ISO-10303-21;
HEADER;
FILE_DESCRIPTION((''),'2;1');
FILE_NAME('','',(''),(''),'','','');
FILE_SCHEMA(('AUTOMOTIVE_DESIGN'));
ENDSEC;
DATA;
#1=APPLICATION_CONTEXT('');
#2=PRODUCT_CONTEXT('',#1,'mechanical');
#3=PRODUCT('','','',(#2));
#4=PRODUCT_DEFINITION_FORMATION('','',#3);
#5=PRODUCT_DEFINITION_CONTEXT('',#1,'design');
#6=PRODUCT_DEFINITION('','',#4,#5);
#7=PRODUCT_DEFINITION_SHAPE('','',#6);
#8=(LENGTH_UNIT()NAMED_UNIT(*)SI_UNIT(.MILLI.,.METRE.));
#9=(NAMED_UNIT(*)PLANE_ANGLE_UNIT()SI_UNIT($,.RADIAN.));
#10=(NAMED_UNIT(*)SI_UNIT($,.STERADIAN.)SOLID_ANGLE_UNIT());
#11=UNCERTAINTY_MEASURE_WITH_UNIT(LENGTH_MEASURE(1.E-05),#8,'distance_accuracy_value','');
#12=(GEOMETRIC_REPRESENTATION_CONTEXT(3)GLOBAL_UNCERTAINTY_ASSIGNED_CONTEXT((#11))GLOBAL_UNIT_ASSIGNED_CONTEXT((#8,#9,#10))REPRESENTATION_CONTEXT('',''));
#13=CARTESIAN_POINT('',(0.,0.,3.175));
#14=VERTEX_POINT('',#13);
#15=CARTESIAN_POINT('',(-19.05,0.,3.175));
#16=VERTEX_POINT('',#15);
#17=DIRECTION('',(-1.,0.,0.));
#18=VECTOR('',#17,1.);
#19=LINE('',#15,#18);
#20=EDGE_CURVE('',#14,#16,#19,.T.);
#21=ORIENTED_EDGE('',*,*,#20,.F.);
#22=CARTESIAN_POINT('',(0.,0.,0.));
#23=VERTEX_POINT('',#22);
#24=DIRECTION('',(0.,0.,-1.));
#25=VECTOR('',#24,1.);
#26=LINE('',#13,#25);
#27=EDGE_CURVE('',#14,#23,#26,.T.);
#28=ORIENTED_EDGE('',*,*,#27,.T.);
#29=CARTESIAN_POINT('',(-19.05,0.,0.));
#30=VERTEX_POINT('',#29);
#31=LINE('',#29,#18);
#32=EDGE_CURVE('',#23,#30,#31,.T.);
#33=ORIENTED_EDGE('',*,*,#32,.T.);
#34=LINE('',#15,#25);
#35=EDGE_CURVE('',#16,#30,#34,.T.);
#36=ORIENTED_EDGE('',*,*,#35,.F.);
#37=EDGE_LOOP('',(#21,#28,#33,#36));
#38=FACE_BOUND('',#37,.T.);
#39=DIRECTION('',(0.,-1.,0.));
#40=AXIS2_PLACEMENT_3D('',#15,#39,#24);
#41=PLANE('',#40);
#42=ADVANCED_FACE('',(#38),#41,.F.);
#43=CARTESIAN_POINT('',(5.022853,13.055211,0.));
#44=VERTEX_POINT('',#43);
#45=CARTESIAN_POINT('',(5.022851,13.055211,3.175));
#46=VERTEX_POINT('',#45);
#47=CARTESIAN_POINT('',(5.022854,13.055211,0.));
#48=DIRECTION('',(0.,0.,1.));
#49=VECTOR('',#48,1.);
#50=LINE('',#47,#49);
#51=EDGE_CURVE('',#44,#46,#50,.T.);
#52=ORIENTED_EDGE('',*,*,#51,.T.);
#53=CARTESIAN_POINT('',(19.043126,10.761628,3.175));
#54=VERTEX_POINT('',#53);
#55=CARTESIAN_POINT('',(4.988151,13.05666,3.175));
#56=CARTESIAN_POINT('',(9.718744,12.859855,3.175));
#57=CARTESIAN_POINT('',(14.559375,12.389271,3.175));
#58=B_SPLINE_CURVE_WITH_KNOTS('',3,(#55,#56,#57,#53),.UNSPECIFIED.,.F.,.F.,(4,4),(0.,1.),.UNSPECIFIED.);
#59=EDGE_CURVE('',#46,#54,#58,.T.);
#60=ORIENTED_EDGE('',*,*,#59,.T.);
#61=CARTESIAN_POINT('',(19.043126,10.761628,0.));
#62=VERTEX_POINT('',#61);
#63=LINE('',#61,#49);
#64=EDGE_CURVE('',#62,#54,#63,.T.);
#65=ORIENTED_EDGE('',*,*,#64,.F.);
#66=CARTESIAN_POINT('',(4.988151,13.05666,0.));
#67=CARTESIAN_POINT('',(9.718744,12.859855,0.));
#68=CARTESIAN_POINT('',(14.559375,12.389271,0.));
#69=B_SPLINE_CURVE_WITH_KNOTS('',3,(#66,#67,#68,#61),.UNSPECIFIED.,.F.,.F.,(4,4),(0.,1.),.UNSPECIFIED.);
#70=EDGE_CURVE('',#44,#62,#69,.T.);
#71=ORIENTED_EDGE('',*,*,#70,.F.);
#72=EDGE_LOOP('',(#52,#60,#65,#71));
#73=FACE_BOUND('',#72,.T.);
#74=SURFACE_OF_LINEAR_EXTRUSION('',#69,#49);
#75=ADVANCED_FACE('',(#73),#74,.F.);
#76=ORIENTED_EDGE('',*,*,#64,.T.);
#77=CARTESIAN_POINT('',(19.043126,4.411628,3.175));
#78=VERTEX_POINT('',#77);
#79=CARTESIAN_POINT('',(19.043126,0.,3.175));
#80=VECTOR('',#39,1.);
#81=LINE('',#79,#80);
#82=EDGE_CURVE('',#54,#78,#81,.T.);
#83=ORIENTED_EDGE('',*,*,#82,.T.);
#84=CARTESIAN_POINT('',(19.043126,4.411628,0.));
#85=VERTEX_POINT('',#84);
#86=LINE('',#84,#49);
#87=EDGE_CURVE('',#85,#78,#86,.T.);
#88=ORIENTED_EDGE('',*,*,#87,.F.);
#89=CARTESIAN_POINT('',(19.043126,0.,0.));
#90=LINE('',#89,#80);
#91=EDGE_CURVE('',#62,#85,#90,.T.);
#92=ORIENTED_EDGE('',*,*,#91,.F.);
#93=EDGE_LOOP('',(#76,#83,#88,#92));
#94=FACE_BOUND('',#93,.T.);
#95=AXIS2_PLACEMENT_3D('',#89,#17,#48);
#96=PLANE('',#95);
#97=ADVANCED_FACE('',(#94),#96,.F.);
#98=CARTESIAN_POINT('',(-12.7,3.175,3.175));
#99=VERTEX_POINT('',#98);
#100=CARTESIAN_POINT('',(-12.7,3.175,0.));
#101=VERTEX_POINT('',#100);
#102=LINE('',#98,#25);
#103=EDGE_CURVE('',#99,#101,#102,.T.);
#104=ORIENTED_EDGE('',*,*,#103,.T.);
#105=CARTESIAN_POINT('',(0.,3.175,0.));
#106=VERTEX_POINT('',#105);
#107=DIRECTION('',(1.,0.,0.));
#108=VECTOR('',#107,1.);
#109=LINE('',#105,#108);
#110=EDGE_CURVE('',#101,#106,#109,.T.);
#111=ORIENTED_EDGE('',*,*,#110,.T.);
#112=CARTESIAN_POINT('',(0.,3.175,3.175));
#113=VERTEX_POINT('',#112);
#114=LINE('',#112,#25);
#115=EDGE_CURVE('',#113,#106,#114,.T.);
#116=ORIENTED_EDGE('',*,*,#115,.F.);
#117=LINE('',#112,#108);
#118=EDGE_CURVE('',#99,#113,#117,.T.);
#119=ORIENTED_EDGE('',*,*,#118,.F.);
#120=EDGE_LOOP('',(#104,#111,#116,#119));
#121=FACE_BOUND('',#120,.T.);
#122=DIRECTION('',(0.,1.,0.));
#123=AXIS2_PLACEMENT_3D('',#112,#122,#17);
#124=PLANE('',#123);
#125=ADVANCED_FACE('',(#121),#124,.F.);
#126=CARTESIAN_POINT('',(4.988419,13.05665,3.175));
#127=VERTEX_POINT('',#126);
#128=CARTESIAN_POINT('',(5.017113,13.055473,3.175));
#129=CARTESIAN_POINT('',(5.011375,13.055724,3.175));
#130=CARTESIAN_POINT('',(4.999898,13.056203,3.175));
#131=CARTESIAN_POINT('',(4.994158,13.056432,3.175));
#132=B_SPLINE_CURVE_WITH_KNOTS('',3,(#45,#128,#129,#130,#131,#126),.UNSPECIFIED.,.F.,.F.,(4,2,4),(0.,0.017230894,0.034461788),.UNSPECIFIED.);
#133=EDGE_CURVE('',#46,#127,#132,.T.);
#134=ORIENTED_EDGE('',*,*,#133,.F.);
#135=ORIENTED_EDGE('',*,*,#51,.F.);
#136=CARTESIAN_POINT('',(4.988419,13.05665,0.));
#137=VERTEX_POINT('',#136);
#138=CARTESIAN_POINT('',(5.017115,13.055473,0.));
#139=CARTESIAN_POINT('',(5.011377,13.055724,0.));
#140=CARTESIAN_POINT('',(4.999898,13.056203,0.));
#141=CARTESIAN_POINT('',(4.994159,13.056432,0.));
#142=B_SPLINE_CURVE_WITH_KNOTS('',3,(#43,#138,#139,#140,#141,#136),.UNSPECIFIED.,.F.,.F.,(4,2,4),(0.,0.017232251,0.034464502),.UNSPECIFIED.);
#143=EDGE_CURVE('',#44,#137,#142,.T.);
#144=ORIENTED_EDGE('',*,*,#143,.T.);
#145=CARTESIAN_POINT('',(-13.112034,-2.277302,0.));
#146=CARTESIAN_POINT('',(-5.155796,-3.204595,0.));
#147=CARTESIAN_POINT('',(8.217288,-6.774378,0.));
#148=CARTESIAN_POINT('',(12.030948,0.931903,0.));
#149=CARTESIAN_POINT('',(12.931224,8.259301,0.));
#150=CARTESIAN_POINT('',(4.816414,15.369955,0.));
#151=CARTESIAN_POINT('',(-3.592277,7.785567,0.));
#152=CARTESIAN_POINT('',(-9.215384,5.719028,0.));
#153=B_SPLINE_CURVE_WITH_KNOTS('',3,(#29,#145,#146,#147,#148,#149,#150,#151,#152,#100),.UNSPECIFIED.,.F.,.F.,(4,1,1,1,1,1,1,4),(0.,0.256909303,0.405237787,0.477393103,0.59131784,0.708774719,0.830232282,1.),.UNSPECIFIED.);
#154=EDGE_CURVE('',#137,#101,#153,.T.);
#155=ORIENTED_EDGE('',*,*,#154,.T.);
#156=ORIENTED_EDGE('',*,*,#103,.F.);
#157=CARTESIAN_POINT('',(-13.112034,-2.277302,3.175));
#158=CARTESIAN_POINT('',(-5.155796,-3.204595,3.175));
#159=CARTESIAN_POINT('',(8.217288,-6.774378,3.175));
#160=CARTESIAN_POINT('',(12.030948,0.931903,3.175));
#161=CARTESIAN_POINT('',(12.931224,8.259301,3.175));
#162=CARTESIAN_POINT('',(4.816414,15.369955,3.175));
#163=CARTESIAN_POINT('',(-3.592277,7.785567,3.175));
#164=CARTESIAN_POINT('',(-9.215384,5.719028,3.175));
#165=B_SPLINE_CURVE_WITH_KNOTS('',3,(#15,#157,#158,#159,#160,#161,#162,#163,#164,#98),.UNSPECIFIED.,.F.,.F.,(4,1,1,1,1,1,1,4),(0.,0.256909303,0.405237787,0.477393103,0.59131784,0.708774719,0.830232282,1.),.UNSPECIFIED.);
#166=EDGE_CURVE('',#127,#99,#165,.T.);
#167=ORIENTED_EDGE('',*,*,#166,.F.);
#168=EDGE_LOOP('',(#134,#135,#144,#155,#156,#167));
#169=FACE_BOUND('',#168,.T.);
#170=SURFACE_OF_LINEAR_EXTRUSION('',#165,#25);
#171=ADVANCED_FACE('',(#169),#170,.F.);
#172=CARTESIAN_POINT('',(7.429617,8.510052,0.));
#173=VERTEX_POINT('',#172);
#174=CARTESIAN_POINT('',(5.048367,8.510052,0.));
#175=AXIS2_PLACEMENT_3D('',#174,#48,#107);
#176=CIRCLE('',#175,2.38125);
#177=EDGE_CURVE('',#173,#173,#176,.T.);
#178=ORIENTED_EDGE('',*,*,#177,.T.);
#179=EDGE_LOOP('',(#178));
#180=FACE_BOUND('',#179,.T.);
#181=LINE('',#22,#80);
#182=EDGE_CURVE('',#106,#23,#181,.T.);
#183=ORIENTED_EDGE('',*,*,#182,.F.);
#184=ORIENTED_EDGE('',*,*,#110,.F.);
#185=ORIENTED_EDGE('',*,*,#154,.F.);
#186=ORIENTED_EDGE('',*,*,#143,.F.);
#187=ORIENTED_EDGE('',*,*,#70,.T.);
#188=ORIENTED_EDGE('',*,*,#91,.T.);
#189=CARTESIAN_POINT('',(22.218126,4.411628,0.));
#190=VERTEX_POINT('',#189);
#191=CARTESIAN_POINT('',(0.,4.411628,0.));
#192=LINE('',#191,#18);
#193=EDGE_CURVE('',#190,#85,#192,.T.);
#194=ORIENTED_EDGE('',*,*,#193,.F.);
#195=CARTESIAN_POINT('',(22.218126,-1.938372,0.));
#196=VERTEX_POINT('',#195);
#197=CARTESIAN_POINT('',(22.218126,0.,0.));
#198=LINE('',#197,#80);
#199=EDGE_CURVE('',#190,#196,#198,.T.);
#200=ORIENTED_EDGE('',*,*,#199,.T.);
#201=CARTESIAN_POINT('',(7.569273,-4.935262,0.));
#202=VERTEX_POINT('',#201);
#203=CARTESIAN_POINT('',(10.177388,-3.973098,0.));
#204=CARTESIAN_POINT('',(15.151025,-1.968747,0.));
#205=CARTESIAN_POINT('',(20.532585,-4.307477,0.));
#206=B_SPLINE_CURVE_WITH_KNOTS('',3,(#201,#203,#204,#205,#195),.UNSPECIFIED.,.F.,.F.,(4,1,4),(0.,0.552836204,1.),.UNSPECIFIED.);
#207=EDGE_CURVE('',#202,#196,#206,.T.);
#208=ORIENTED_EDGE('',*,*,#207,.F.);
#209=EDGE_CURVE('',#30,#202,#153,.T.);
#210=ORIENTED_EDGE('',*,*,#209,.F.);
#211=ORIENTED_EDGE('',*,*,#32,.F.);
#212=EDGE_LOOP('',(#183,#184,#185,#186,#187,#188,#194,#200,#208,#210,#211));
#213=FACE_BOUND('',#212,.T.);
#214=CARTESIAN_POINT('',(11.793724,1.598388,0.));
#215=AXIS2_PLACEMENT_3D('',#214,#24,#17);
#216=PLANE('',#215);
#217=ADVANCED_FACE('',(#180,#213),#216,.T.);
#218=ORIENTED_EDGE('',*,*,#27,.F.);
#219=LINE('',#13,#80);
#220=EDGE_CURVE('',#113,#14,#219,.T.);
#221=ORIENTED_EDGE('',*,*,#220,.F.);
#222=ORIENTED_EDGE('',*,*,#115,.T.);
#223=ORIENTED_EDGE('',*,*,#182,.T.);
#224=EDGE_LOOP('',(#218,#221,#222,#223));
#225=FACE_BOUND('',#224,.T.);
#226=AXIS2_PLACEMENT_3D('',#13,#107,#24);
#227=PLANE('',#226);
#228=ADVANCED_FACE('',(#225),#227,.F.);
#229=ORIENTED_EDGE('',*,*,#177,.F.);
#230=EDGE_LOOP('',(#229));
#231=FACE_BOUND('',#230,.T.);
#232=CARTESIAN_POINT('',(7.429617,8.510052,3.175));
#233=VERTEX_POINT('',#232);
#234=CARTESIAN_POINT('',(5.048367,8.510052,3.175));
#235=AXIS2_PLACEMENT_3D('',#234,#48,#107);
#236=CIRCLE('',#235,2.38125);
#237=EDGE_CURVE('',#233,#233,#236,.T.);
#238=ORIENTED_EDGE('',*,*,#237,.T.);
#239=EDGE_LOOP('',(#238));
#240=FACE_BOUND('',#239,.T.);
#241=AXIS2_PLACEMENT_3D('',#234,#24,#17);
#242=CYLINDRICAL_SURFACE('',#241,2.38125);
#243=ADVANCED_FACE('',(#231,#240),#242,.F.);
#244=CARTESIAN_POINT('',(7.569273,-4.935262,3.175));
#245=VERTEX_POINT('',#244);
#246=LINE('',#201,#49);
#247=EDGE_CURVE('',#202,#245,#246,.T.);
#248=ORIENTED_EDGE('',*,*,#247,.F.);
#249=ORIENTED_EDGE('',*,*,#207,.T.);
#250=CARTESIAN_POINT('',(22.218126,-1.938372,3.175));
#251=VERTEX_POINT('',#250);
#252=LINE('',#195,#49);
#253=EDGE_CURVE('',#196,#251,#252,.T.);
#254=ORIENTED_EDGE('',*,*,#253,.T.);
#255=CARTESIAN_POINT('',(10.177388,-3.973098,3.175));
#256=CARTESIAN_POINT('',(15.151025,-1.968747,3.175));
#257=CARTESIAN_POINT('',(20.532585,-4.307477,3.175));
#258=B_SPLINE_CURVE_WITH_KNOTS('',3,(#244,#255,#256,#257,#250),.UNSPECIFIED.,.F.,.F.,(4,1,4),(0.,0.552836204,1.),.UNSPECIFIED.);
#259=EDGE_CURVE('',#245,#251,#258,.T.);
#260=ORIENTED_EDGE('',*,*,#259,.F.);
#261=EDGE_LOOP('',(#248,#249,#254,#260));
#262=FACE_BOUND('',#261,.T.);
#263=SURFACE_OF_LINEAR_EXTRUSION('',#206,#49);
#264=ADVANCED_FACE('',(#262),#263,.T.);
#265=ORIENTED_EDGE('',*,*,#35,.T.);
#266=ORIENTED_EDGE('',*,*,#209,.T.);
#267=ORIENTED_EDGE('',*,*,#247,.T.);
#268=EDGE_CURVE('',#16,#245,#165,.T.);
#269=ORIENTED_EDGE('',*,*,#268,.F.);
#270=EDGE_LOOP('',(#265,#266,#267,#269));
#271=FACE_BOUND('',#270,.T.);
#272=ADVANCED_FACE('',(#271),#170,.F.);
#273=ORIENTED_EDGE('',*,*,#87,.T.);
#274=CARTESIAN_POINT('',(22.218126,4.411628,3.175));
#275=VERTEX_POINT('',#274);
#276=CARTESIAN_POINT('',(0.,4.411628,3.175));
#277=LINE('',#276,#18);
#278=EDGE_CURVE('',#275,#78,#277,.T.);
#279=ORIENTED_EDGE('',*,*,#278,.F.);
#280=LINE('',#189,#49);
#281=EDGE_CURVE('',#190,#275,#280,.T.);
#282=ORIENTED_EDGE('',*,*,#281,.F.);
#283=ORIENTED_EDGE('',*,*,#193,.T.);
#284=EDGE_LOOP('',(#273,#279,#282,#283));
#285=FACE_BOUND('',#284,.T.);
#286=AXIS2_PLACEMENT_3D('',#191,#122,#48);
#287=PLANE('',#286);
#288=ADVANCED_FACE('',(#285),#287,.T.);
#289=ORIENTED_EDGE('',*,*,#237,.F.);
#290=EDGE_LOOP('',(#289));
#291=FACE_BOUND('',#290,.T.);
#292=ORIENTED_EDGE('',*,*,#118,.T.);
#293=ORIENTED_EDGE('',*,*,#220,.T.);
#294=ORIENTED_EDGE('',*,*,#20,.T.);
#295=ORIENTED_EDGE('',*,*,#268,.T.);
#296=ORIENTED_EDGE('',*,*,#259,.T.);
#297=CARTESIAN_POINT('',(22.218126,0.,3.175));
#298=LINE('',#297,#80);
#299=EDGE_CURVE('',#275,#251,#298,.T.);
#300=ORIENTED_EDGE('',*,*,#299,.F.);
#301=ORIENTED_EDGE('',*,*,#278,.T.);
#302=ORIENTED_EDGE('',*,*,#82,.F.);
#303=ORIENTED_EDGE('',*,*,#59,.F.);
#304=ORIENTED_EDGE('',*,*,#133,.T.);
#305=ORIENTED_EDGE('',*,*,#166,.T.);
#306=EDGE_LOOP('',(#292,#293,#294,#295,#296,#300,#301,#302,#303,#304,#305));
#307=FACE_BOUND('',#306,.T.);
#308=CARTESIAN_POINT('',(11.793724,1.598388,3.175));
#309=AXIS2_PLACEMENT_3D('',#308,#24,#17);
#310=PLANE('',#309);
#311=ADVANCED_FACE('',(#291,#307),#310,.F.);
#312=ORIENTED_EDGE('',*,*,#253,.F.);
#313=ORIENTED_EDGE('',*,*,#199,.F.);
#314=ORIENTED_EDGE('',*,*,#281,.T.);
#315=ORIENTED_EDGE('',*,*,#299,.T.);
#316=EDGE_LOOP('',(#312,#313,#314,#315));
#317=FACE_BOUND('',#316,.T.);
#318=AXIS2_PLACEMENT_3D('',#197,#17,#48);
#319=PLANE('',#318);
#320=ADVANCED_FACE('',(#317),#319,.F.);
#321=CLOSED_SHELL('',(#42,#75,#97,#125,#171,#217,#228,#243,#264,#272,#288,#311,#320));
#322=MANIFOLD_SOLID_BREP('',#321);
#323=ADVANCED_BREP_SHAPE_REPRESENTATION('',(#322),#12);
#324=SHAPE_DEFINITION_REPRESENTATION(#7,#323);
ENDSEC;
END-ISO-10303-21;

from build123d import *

# Parameters (mm, degrees)
SKETCH1_R           = 2.38125
BOSS_EXTRUDE1_DEPTH = 3.175
BOSS_EXTRUDE2_DEPTH = 3.175


with BuildPart() as part:
    # Sketch1 → Boss-Extrude1 (new body)
    with BuildSketch(Plane.XY):
        with BuildLine():
            Line((-19.05, 0), (0, 0))
            Line((0, 0), (0, 3.175))
            Line((0, 3.175), (-12.7, 3.175))
            add(Edge.make_bspline(
                [(-19.05, 0), (-13.112033971, -2.27730223), (-5.155795632, -3.204594962), (8.217288269, -6.774378233), (12.030948412, 0.931903495), (12.931224231, 8.259301282), (4.816413804, 15.369954974), (-3.592277072, 7.785567441), (-9.215384474, 5.719027598), (-12.7, 3.175)],
                knots=[0, 0, 0, 0, 0.256909303, 0.405237787, 0.477393103, 0.59131784, 0.708774719, 0.830232282, 1, 1, 1, 1], degree=3))
        make_face()
        with Locations((5.048367475, 8.51005191)):
            Circle(SKETCH1_R, mode=Mode.SUBTRACT)
    extrude(amount=BOSS_EXTRUDE1_DEPTH)

    # Sketch2 → Boss-Extrude2 (add)
    with BuildSketch(Plane.XY.offset(3.175)):
        with BuildLine():
            add(Edge.make_bspline(
                [(4.988150959, 13.056659727), (9.718743656, 12.859855216), (14.559374774, 12.389270948), (19.04312554, 10.761627981)],
                knots=[0, 0, 0, 0, 1, 1, 1, 1], degree=3))
            Line((4.988150959, 13.056659727), (8.479749464, 10.133745789))
            Line((8.479749464, 10.133745789), (7.569273367, -4.93526217))
            add(Edge.make_bspline(
                [(7.569273367, -4.93526217), (10.177388397, -3.973098163), (15.151025201, -1.968746735), (20.532585299, -4.307476576), (22.21812554, -1.938372019)],
                knots=[0, 0, 0, 0, 0.552836204, 1, 1, 1, 1], degree=3))
            Line((22.21812554, -1.938372019), (9.51812554, -1.938372019))
            Line((9.51812554, -1.938372019), (9.51812554, 10.761627981))
            Line((9.51812554, 10.761627981), (19.04312554, 10.761627981))
        make_face()
        Polygon((19.04312554, 4.411627981), (19.04312554, 10.761627981), (9.51812554, 10.761627981), (9.51812554, -1.938372019), (22.21812554, -1.938372019), (22.21812554, 4.411627981), align=None)
    extrude(amount=-BOSS_EXTRUDE2_DEPTH)


solid = part.part
